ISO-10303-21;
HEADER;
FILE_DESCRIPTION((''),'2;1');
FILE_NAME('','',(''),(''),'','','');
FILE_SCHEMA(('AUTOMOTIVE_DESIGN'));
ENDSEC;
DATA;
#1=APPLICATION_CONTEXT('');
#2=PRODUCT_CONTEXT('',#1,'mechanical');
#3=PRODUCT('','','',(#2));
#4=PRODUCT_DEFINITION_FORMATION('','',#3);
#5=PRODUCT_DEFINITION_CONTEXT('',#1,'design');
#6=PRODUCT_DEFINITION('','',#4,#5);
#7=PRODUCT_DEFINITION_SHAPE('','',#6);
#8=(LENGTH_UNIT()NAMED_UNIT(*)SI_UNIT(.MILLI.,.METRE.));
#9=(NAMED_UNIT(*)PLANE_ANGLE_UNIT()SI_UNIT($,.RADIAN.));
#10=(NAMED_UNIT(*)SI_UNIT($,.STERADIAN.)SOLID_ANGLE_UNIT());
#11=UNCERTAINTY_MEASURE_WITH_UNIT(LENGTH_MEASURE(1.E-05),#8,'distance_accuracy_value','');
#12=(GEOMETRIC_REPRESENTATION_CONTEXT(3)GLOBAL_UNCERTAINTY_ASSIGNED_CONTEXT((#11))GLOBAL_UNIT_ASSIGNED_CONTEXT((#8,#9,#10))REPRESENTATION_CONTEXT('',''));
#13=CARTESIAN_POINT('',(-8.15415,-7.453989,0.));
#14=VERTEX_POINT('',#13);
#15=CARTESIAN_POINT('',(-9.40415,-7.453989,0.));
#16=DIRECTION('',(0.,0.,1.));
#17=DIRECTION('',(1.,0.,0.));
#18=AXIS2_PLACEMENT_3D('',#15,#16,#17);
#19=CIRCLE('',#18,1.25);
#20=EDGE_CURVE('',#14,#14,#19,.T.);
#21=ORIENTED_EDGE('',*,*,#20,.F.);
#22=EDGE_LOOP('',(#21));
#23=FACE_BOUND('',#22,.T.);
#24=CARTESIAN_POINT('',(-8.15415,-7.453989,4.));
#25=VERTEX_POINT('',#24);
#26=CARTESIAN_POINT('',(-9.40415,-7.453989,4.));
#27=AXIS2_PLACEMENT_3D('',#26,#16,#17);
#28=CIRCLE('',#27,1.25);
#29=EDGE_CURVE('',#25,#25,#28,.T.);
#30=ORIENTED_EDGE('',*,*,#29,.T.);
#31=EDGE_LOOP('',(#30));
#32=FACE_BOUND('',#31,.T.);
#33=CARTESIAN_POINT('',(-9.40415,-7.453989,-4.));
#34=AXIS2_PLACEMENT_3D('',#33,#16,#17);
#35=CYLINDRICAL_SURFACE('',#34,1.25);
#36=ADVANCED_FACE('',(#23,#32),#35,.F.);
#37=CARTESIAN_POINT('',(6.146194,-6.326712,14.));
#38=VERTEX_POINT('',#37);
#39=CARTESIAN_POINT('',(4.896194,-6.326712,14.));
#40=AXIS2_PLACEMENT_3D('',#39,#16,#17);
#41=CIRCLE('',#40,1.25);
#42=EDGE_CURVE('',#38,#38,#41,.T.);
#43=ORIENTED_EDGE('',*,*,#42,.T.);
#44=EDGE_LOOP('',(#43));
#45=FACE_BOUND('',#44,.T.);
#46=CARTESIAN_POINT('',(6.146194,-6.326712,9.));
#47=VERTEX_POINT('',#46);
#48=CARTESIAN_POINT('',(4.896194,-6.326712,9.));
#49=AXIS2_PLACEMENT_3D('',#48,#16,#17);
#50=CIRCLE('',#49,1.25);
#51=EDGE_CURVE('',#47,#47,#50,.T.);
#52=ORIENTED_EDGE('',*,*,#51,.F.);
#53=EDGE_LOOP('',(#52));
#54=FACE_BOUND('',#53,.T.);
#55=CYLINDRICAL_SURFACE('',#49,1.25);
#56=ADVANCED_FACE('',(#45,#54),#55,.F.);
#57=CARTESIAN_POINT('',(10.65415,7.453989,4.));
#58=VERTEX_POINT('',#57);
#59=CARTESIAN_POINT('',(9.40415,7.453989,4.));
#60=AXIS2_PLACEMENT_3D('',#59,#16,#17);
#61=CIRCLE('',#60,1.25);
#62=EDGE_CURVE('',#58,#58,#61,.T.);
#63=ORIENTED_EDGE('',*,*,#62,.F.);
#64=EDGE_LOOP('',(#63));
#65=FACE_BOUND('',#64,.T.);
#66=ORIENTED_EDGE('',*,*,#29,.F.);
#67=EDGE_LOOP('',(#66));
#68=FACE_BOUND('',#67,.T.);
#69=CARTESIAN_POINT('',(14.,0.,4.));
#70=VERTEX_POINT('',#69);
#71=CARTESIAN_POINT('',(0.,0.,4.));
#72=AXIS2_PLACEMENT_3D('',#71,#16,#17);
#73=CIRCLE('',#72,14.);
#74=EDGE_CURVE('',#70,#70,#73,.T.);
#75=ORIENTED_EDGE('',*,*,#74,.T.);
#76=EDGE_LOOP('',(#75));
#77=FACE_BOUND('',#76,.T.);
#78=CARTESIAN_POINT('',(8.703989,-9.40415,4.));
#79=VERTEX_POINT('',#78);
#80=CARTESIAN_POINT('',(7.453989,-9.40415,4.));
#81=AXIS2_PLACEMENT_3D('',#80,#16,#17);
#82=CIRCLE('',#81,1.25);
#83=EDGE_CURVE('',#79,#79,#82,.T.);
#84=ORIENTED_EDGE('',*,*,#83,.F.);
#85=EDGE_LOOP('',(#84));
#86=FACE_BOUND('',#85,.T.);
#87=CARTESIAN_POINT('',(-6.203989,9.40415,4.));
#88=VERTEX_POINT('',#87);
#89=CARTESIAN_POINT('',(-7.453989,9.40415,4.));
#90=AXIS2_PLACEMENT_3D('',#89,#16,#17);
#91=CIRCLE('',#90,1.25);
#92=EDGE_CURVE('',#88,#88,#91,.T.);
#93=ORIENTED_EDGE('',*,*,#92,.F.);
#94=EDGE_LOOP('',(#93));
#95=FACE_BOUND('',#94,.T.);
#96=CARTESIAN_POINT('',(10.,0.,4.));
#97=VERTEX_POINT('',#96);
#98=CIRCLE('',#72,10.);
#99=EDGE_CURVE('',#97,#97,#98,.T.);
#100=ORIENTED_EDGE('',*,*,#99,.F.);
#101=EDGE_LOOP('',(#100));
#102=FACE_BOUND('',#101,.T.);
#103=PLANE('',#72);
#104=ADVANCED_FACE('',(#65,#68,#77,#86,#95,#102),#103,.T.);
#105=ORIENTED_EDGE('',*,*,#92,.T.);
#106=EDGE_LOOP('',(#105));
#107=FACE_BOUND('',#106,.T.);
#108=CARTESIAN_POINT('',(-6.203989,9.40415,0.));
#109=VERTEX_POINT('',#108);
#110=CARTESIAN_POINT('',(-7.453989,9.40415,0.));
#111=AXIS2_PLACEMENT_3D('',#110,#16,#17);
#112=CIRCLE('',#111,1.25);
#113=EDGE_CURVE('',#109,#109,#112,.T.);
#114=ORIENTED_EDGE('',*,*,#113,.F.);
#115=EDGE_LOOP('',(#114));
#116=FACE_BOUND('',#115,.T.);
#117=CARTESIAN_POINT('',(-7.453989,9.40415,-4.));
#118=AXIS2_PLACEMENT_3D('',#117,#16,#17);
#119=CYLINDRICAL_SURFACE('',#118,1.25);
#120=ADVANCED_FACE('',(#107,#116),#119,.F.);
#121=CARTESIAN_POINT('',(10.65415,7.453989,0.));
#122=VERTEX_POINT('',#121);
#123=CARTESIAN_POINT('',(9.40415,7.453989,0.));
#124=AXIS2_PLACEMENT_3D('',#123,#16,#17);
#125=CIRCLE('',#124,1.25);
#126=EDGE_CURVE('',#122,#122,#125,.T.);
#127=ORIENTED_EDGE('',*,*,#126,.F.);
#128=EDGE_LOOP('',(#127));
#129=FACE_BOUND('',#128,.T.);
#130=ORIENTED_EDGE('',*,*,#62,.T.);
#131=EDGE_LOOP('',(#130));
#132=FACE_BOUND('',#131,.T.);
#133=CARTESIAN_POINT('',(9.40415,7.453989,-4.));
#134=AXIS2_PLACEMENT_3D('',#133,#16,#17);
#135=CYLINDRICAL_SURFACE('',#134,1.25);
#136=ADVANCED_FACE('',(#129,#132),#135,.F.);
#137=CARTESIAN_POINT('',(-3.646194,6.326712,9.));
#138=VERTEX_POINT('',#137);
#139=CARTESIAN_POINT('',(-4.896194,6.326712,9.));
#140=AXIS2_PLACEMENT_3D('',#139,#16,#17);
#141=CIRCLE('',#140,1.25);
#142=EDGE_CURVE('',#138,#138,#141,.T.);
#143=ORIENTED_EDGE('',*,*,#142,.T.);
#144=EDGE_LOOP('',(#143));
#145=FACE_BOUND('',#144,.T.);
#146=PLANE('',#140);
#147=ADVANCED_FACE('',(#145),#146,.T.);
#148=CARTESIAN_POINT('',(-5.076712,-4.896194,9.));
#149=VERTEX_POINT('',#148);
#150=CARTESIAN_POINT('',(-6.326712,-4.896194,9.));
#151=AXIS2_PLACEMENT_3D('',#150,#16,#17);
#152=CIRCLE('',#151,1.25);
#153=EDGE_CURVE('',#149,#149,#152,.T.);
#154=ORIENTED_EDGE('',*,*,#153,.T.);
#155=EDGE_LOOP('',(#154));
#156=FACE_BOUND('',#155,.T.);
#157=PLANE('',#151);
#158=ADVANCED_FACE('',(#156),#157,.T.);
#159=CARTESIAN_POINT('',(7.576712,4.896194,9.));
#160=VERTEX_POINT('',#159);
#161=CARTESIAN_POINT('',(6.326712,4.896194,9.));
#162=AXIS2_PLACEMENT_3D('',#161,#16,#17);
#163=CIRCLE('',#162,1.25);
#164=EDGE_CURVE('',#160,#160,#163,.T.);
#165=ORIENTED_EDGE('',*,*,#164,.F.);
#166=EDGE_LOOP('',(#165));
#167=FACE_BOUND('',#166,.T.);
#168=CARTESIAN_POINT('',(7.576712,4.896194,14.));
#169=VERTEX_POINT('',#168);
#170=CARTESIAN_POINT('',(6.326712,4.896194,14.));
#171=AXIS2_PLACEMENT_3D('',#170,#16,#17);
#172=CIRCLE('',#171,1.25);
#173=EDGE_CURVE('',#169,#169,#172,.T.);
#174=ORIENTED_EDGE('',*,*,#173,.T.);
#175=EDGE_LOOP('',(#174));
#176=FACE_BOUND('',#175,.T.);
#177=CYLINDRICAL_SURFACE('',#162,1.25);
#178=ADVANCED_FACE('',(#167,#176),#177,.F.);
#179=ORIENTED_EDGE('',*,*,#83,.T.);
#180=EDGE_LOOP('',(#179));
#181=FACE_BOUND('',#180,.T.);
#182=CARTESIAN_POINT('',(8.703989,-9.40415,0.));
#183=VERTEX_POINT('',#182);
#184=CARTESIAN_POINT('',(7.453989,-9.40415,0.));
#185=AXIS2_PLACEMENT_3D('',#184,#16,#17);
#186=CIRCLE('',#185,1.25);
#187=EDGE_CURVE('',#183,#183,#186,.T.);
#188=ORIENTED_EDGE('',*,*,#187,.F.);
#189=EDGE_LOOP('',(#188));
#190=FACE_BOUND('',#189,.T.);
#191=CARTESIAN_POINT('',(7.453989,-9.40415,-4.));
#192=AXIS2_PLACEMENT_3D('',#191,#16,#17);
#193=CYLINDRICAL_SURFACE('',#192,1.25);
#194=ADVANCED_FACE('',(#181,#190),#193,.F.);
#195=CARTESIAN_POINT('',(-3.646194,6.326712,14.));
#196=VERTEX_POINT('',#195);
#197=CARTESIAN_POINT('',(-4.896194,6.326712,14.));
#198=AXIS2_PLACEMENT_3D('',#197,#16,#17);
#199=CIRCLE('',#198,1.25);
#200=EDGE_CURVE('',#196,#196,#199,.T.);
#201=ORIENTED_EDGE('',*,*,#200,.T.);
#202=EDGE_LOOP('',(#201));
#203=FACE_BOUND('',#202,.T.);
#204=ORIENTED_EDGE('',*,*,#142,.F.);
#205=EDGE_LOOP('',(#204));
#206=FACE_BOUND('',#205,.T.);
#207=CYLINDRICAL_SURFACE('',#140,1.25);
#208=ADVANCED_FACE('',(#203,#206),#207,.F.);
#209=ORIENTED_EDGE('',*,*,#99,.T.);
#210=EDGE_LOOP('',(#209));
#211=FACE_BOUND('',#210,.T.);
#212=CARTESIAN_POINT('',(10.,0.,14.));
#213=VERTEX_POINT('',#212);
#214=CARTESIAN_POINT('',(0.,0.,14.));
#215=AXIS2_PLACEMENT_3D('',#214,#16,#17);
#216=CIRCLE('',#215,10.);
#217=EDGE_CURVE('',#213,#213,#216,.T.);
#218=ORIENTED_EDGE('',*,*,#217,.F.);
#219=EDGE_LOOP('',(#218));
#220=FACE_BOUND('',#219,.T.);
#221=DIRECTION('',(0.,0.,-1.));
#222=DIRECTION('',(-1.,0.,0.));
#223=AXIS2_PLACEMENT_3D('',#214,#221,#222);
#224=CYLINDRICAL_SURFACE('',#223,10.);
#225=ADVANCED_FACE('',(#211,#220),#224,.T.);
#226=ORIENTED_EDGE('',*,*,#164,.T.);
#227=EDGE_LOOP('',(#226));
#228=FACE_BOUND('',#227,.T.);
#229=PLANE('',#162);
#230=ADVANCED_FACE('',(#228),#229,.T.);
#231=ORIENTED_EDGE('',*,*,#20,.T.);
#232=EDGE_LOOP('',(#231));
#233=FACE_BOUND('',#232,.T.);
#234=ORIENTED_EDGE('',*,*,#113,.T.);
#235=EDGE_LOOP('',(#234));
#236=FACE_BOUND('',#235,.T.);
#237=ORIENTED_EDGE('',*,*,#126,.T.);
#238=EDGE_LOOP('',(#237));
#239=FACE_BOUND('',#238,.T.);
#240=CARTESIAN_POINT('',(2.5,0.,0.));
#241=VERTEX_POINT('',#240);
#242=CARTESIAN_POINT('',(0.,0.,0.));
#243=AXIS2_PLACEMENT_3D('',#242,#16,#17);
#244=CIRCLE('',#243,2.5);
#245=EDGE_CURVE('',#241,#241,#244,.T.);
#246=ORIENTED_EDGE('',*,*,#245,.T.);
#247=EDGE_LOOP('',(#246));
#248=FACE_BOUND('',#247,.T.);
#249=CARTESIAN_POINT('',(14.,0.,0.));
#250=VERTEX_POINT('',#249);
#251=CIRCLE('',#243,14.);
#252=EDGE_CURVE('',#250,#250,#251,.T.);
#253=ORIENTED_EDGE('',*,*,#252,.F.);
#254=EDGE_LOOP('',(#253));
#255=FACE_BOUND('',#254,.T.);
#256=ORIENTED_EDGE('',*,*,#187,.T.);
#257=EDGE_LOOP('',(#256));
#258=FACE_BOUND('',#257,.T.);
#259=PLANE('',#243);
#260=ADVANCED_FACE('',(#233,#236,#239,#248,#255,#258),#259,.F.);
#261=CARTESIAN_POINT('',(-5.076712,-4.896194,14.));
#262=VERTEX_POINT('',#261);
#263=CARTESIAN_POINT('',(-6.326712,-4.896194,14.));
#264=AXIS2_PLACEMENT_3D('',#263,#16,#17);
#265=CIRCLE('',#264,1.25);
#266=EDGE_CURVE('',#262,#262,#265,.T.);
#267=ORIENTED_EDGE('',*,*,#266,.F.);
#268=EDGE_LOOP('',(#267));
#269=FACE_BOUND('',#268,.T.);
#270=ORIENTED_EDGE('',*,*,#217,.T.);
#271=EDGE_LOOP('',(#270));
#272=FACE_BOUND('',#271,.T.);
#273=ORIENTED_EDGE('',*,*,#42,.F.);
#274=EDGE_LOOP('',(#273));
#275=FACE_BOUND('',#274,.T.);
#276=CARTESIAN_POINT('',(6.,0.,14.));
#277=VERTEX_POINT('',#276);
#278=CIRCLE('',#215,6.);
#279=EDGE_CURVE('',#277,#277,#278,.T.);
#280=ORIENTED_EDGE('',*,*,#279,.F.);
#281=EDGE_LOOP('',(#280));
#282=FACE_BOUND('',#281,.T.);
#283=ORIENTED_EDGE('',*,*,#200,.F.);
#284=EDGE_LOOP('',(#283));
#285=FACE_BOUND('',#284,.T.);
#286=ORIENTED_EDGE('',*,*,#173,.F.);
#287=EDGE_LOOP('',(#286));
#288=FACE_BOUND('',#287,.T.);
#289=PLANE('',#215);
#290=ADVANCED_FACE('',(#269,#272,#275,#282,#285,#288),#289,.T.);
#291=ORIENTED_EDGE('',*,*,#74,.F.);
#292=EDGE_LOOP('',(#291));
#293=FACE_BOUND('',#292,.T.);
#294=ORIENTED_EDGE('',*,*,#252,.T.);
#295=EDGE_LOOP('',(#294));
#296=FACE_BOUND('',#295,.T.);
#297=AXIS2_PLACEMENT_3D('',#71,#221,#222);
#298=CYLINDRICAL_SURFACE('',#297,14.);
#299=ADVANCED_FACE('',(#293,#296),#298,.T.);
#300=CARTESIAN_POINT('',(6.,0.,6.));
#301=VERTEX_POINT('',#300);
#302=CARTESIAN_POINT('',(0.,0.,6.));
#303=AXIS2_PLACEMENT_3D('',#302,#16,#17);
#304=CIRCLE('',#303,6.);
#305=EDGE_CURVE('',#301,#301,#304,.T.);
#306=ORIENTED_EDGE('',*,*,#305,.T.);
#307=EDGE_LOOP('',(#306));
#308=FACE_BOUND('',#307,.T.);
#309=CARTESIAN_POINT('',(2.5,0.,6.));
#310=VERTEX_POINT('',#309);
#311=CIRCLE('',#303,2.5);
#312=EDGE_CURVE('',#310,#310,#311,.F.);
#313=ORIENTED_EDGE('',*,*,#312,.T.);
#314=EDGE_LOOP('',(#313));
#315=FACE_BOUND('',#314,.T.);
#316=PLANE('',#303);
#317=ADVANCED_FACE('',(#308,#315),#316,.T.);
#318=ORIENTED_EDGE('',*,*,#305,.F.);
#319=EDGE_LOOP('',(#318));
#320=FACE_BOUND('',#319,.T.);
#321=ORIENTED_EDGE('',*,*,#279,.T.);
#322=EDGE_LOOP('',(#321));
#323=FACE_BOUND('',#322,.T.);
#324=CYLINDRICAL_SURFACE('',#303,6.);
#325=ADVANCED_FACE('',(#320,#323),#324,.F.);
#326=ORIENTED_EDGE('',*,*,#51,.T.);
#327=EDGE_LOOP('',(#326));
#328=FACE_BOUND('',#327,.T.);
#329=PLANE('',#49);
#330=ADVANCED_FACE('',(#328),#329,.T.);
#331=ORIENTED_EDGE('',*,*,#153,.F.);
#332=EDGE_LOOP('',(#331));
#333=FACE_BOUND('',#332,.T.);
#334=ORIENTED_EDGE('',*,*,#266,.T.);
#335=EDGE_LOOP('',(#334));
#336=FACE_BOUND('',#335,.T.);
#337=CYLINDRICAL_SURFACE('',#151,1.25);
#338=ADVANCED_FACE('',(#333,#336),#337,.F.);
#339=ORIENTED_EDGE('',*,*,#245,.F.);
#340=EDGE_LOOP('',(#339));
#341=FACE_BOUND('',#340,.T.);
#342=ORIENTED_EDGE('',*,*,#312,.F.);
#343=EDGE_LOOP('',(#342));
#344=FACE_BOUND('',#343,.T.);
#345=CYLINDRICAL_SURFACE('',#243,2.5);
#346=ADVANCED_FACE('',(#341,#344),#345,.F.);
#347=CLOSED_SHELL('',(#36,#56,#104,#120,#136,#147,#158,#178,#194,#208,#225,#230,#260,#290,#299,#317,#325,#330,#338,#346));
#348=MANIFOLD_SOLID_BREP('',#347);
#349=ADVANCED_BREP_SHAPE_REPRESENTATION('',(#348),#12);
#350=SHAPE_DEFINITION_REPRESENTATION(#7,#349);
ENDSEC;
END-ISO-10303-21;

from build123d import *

# Parameters (mm, degrees)
SKETCH_1_R          = 14
EXTRUDE_1_DEPTH     = 4
SKETCH_2_R          = 10
EXTRUDE_2_DEPTH     = 10
SKETCH_3_R          = 2.5
CUT_EXTRUDE_1_DEPTH = 25.248711306
SKETCH_4_R          = 6
CUT_EXTRUDE_2_DEPTH = 8
SKETCH_5_R          = 1.25
CUT_EXTRUDE_3_DEPTH = 8
SKETCH_6_R          = 1.25
CUT_EXTRUDE_4_DEPTH = 5


with BuildPart() as part:
    # 草图1 → 凸台-拉伸1 (new body)
    with BuildSketch(Plane.XY):
        Circle(SKETCH_1_R)
    extrude(amount=EXTRUDE_1_DEPTH)

    # 草图2 → 凸台-拉伸2 (add)
    with BuildSketch(Plane.XY.offset(4)):
        Circle(SKETCH_2_R)
    extrude(amount=EXTRUDE_2_DEPTH)

    # 草图3 → 切除-拉伸1 (cut, through all)
    with BuildSketch(Plane.XY.offset(14)):
        Circle(SKETCH_3_R)
    extrude(amount=-CUT_EXTRUDE_1_DEPTH, mode=Mode.SUBTRACT)

    # 草图4 → 切除-拉伸2 (cut)
    with BuildSketch(Plane.XY.offset(14)):
        Circle(SKETCH_4_R)
    extrude(amount=-CUT_EXTRUDE_2_DEPTH, mode=Mode.SUBTRACT)

    # 草图5 → 切除-拉伸3 (cut)
    with BuildSketch(Plane.XY.offset(4)):
        with Locations((-9.404150189, -7.453989484)):
            Circle(SKETCH_5_R)
        with Locations((-7.453989484, 9.404150189)):
            Circle(SKETCH_5_R)
        with Locations((9.404150189, 7.453989484)):
            Circle(SKETCH_5_R)
        with Locations((7.453989484, -9.404150189)):
            Circle(SKETCH_5_R)
    extrude(amount=-CUT_EXTRUDE_3_DEPTH, mode=Mode.SUBTRACT)

    # 草图6 → 切除-拉伸4 (cut)
    with BuildSketch(Plane.XY.offset(14)):
        with Locations((-6.326711752, -4.896194277)):
            Circle(SKETCH_6_R)
        with Locations((-4.896194277, 6.326711752)):
            Circle(SKETCH_6_R)
        with Locations((6.326711752, 4.896194277)):
            Circle(SKETCH_6_R)
        with Locations((4.896194277, -6.326711752)):
            Circle(SKETCH_6_R)
    extrude(amount=-CUT_EXTRUDE_4_DEPTH, mode=Mode.SUBTRACT)


solid = part.part
